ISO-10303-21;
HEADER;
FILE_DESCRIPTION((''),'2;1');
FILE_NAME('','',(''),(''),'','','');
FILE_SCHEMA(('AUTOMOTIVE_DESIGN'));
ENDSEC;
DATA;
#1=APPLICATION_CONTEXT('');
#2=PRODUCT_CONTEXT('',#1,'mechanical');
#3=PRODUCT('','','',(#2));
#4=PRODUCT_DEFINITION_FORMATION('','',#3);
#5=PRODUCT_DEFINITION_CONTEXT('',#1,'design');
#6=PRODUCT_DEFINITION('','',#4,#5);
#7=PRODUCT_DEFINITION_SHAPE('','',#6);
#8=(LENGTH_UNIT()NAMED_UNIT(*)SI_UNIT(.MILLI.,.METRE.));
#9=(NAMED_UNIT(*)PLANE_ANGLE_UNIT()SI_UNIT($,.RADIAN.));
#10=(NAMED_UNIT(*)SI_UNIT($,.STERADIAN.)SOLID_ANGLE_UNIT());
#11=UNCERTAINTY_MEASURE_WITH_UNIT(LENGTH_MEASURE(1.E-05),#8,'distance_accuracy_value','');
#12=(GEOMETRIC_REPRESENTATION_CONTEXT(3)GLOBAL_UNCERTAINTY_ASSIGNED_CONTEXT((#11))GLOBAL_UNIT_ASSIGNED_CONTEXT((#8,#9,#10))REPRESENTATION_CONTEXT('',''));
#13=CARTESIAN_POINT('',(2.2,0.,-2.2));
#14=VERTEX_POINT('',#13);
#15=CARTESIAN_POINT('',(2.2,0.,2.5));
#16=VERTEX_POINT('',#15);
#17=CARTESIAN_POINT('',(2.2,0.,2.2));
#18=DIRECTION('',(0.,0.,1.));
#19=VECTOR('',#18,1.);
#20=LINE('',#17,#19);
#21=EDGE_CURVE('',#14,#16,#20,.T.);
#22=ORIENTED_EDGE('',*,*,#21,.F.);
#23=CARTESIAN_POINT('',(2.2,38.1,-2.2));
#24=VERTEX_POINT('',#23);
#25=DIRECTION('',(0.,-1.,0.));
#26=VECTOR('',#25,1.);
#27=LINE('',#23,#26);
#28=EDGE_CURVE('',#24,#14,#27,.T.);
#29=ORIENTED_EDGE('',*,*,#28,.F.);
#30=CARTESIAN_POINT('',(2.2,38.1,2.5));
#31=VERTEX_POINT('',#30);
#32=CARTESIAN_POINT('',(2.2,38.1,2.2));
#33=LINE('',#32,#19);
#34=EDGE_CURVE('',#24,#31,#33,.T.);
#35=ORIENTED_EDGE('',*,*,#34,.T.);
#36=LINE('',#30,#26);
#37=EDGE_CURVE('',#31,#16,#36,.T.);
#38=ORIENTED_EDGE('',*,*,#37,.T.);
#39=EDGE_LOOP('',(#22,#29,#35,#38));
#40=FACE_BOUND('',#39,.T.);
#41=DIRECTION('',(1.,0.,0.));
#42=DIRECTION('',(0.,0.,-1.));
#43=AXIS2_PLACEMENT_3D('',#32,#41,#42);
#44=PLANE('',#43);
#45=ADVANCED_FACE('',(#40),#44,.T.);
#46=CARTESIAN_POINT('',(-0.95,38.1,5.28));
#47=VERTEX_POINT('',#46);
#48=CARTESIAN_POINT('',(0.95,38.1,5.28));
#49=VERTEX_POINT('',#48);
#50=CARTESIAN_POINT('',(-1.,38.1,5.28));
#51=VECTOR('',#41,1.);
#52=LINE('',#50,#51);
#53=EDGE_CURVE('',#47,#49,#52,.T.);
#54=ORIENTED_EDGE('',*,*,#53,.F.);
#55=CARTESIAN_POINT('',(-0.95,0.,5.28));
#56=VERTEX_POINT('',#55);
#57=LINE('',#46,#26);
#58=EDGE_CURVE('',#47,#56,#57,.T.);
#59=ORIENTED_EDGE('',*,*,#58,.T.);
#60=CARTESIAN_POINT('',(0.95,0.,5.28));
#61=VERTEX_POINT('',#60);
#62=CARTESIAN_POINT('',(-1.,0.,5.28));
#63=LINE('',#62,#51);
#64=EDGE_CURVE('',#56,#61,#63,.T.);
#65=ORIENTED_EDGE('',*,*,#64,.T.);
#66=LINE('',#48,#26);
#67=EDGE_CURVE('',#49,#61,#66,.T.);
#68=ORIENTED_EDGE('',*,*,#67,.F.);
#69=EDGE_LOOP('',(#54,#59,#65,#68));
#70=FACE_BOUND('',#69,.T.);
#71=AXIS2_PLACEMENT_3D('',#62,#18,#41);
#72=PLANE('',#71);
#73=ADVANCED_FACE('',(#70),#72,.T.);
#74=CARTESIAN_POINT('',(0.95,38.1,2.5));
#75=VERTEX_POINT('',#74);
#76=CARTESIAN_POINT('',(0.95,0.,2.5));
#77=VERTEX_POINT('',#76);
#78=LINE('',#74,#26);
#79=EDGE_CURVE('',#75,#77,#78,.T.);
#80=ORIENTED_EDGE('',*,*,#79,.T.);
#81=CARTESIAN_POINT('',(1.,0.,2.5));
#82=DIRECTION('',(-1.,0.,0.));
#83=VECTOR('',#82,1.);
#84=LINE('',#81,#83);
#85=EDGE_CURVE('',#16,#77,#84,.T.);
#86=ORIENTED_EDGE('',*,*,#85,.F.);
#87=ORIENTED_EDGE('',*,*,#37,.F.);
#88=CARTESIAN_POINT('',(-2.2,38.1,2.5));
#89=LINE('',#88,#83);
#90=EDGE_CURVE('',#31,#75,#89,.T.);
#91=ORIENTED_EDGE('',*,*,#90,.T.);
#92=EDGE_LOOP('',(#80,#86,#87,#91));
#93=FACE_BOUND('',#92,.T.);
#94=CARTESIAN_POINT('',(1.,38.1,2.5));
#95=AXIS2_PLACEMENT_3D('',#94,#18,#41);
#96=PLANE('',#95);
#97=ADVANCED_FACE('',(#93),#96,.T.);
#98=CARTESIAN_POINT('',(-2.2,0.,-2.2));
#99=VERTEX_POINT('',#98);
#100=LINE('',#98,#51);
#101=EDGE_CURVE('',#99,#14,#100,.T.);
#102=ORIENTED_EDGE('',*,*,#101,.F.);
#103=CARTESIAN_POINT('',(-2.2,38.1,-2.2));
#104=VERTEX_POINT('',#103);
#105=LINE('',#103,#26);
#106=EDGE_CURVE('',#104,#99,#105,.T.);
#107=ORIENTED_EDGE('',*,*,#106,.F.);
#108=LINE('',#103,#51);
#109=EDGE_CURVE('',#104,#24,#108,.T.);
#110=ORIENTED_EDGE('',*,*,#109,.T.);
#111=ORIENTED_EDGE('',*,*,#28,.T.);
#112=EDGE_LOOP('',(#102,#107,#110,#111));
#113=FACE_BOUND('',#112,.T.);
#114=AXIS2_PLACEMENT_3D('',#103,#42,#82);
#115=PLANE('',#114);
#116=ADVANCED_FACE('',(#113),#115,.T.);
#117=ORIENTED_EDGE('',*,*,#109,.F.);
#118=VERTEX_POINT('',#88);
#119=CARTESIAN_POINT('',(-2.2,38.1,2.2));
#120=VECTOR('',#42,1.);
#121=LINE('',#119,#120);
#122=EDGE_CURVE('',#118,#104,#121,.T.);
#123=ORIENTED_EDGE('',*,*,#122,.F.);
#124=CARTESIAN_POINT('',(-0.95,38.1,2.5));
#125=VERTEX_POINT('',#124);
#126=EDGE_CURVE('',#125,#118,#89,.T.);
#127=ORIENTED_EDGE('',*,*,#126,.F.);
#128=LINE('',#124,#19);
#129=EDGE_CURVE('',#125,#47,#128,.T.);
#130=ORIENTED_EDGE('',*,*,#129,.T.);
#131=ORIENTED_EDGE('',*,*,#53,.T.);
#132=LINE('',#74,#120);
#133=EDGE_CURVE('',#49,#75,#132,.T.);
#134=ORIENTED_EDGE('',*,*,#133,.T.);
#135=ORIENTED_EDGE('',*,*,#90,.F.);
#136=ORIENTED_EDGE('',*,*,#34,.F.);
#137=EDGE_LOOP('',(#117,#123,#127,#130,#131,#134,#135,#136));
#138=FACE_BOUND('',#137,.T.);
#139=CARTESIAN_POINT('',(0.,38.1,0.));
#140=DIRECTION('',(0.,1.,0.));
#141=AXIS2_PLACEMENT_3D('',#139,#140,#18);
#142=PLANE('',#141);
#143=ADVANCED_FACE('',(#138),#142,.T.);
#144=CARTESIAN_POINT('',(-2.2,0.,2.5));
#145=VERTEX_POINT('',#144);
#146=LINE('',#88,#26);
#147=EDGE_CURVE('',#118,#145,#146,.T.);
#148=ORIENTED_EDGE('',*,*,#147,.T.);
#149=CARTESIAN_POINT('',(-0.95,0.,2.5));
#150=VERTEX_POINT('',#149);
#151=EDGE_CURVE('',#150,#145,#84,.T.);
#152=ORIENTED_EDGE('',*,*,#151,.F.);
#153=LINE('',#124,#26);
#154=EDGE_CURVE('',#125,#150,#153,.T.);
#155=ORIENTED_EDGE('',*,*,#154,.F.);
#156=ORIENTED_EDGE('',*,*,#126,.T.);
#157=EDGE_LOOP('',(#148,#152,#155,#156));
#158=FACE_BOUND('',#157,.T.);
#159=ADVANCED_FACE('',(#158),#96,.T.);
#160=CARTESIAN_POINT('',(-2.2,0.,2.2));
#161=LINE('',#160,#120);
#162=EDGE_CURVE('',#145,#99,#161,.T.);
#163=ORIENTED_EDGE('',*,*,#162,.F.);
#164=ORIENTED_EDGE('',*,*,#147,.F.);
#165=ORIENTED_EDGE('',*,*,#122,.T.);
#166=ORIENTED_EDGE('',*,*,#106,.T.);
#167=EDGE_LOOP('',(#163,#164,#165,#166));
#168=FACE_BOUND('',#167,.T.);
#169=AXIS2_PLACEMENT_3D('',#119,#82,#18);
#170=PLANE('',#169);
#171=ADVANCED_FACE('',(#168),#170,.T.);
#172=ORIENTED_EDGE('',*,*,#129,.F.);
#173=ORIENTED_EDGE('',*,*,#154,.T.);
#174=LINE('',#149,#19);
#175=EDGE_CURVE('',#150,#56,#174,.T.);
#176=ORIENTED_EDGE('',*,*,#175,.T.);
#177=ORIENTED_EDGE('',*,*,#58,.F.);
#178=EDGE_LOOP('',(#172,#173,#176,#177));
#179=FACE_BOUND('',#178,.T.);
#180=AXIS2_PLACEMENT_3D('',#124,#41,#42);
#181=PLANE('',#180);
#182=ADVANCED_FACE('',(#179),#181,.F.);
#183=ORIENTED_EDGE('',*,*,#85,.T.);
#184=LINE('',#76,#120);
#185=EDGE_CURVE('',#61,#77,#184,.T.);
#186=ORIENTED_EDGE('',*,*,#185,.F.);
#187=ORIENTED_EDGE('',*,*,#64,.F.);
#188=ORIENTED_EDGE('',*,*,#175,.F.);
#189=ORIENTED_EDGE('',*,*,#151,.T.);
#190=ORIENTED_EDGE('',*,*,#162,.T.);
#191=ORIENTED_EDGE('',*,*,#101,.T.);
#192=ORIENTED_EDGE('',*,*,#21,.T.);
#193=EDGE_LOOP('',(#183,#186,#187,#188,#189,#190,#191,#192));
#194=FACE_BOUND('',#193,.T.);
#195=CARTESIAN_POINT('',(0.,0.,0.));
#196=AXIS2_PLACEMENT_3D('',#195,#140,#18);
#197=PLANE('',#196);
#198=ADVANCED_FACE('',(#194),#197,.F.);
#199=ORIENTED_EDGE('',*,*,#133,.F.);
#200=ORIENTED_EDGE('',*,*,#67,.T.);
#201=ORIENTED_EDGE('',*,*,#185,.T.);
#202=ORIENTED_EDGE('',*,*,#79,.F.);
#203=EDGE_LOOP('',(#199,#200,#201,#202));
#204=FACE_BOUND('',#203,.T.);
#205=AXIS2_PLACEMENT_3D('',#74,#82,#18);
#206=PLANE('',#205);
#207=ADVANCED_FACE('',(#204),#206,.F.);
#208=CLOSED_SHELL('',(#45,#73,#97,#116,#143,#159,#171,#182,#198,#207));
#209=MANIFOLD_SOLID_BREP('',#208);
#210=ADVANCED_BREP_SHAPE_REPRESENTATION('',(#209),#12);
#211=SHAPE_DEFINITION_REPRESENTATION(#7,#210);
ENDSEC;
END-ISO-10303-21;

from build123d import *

# Parameters (mm, degrees)
SKETCH_1_W            = 5
SKETCH_1_H            = 5
EXTRUDE_1_DEPTH       = 38.1
SKETCH_3_W            = 2
SKETCH_3_H            = 2.78
EXTRUDE_2_DEPTH       = 38.1
SKETCH_6_W            = 5
SKETCH_6_H            = 5
SKETCH_6_W_2          = 4.4
SKETCH_6_H_2          = 4.4
CUT_EXTRUDE_1_DEPTH   = 39.545277272
EXTRUDE_3_DEPTH       = 38.1
SKETCH_9_W            = 0.05
SKETCH_9_H            = 2.78
CUT_EXTRUDE_1_2_DEPTH = 39.526982752
SKETCH_11_W           = 0.05
SKETCH_11_H           = 2.78
CUT_EXTRUDE_2_DEPTH   = 39.526982752


with BuildPart() as part:
    # 草圖1 → 填料-伸長1 (new body)
    with BuildSketch(Plane(origin=(0, 0, 0), x_dir=(1, 0, 0), z_dir=(0, 1, 0))):
        Rectangle(SKETCH_1_W, SKETCH_1_H)
    extrude(amount=EXTRUDE_1_DEPTH)

    # 草圖3 → 填料-伸長2 (add)
    with BuildSketch(Plane(origin=(0, 38.1, 0), x_dir=(1, 0, 0), z_dir=(0, 1, 0))):
        with Locations((0, -3.89)):
            Rectangle(SKETCH_3_W, SKETCH_3_H)
    extrude(amount=-EXTRUDE_2_DEPTH)

    # 草圖6 → Cut-Extrude 1 (cut, through all)
    with BuildSketch(Plane.XZ):
        Rectangle(SKETCH_6_W, SKETCH_6_H)
        Rectangle(SKETCH_6_W_2, SKETCH_6_H_2, mode=Mode.SUBTRACT)
    extrude(amount=-CUT_EXTRUDE_1_DEPTH, mode=Mode.SUBTRACT)


with BuildPart() as cut_extrude_1_piece_1:
    # of the separate pieces the step leaves, piece 1, a body of its own (cut_extrude_1_pieces)
    add(part.part.solids().sort_by_distance((2.2, 0, 2.2))[0])



with BuildPart() as cut_extrude_1_piece_2:
    # of the separate pieces the step leaves, piece 2, a body of its own (cut_extrude_1_pieces)
    add(part.part.solids().sort_by_distance((-1, 0, 5.28))[0])


with BuildPart() as cut_extrude_1_piece_1_1:
    add(cut_extrude_1_piece_1.part)

    add(cut_extrude_1_piece_2.part)  # 填料-伸長3 merges Cut-Extrude 1 piece 2
    # 草圖8 → 填料-伸長3 (add)
    with BuildSketch(Plane.XZ):
        Polygon((1, 2.5), (2.2, 2.5), (2.2, 2.2), (-2.2, 2.2), (-2.2, 2.5), align=None)
    extrude(amount=-EXTRUDE_3_DEPTH)

    # 草圖9 → Cut-Extrude 1 2 (cut, through all)
    with BuildSketch(Plane.XZ):
        with Locations((-0.975, 3.89)):
            Rectangle(SKETCH_9_W, SKETCH_9_H)
    extrude(amount=-CUT_EXTRUDE_1_2_DEPTH, mode=Mode.SUBTRACT)

    # 草圖11 → 除料-伸長2 (cut, through all)
    with BuildSketch(Plane.XZ):
        with Locations((0.975, 3.89)):
            Rectangle(SKETCH_11_W, SKETCH_11_H)
    extrude(amount=-CUT_EXTRUDE_2_DEPTH, mode=Mode.SUBTRACT)


solid = cut_extrude_1_piece_1_1.part
